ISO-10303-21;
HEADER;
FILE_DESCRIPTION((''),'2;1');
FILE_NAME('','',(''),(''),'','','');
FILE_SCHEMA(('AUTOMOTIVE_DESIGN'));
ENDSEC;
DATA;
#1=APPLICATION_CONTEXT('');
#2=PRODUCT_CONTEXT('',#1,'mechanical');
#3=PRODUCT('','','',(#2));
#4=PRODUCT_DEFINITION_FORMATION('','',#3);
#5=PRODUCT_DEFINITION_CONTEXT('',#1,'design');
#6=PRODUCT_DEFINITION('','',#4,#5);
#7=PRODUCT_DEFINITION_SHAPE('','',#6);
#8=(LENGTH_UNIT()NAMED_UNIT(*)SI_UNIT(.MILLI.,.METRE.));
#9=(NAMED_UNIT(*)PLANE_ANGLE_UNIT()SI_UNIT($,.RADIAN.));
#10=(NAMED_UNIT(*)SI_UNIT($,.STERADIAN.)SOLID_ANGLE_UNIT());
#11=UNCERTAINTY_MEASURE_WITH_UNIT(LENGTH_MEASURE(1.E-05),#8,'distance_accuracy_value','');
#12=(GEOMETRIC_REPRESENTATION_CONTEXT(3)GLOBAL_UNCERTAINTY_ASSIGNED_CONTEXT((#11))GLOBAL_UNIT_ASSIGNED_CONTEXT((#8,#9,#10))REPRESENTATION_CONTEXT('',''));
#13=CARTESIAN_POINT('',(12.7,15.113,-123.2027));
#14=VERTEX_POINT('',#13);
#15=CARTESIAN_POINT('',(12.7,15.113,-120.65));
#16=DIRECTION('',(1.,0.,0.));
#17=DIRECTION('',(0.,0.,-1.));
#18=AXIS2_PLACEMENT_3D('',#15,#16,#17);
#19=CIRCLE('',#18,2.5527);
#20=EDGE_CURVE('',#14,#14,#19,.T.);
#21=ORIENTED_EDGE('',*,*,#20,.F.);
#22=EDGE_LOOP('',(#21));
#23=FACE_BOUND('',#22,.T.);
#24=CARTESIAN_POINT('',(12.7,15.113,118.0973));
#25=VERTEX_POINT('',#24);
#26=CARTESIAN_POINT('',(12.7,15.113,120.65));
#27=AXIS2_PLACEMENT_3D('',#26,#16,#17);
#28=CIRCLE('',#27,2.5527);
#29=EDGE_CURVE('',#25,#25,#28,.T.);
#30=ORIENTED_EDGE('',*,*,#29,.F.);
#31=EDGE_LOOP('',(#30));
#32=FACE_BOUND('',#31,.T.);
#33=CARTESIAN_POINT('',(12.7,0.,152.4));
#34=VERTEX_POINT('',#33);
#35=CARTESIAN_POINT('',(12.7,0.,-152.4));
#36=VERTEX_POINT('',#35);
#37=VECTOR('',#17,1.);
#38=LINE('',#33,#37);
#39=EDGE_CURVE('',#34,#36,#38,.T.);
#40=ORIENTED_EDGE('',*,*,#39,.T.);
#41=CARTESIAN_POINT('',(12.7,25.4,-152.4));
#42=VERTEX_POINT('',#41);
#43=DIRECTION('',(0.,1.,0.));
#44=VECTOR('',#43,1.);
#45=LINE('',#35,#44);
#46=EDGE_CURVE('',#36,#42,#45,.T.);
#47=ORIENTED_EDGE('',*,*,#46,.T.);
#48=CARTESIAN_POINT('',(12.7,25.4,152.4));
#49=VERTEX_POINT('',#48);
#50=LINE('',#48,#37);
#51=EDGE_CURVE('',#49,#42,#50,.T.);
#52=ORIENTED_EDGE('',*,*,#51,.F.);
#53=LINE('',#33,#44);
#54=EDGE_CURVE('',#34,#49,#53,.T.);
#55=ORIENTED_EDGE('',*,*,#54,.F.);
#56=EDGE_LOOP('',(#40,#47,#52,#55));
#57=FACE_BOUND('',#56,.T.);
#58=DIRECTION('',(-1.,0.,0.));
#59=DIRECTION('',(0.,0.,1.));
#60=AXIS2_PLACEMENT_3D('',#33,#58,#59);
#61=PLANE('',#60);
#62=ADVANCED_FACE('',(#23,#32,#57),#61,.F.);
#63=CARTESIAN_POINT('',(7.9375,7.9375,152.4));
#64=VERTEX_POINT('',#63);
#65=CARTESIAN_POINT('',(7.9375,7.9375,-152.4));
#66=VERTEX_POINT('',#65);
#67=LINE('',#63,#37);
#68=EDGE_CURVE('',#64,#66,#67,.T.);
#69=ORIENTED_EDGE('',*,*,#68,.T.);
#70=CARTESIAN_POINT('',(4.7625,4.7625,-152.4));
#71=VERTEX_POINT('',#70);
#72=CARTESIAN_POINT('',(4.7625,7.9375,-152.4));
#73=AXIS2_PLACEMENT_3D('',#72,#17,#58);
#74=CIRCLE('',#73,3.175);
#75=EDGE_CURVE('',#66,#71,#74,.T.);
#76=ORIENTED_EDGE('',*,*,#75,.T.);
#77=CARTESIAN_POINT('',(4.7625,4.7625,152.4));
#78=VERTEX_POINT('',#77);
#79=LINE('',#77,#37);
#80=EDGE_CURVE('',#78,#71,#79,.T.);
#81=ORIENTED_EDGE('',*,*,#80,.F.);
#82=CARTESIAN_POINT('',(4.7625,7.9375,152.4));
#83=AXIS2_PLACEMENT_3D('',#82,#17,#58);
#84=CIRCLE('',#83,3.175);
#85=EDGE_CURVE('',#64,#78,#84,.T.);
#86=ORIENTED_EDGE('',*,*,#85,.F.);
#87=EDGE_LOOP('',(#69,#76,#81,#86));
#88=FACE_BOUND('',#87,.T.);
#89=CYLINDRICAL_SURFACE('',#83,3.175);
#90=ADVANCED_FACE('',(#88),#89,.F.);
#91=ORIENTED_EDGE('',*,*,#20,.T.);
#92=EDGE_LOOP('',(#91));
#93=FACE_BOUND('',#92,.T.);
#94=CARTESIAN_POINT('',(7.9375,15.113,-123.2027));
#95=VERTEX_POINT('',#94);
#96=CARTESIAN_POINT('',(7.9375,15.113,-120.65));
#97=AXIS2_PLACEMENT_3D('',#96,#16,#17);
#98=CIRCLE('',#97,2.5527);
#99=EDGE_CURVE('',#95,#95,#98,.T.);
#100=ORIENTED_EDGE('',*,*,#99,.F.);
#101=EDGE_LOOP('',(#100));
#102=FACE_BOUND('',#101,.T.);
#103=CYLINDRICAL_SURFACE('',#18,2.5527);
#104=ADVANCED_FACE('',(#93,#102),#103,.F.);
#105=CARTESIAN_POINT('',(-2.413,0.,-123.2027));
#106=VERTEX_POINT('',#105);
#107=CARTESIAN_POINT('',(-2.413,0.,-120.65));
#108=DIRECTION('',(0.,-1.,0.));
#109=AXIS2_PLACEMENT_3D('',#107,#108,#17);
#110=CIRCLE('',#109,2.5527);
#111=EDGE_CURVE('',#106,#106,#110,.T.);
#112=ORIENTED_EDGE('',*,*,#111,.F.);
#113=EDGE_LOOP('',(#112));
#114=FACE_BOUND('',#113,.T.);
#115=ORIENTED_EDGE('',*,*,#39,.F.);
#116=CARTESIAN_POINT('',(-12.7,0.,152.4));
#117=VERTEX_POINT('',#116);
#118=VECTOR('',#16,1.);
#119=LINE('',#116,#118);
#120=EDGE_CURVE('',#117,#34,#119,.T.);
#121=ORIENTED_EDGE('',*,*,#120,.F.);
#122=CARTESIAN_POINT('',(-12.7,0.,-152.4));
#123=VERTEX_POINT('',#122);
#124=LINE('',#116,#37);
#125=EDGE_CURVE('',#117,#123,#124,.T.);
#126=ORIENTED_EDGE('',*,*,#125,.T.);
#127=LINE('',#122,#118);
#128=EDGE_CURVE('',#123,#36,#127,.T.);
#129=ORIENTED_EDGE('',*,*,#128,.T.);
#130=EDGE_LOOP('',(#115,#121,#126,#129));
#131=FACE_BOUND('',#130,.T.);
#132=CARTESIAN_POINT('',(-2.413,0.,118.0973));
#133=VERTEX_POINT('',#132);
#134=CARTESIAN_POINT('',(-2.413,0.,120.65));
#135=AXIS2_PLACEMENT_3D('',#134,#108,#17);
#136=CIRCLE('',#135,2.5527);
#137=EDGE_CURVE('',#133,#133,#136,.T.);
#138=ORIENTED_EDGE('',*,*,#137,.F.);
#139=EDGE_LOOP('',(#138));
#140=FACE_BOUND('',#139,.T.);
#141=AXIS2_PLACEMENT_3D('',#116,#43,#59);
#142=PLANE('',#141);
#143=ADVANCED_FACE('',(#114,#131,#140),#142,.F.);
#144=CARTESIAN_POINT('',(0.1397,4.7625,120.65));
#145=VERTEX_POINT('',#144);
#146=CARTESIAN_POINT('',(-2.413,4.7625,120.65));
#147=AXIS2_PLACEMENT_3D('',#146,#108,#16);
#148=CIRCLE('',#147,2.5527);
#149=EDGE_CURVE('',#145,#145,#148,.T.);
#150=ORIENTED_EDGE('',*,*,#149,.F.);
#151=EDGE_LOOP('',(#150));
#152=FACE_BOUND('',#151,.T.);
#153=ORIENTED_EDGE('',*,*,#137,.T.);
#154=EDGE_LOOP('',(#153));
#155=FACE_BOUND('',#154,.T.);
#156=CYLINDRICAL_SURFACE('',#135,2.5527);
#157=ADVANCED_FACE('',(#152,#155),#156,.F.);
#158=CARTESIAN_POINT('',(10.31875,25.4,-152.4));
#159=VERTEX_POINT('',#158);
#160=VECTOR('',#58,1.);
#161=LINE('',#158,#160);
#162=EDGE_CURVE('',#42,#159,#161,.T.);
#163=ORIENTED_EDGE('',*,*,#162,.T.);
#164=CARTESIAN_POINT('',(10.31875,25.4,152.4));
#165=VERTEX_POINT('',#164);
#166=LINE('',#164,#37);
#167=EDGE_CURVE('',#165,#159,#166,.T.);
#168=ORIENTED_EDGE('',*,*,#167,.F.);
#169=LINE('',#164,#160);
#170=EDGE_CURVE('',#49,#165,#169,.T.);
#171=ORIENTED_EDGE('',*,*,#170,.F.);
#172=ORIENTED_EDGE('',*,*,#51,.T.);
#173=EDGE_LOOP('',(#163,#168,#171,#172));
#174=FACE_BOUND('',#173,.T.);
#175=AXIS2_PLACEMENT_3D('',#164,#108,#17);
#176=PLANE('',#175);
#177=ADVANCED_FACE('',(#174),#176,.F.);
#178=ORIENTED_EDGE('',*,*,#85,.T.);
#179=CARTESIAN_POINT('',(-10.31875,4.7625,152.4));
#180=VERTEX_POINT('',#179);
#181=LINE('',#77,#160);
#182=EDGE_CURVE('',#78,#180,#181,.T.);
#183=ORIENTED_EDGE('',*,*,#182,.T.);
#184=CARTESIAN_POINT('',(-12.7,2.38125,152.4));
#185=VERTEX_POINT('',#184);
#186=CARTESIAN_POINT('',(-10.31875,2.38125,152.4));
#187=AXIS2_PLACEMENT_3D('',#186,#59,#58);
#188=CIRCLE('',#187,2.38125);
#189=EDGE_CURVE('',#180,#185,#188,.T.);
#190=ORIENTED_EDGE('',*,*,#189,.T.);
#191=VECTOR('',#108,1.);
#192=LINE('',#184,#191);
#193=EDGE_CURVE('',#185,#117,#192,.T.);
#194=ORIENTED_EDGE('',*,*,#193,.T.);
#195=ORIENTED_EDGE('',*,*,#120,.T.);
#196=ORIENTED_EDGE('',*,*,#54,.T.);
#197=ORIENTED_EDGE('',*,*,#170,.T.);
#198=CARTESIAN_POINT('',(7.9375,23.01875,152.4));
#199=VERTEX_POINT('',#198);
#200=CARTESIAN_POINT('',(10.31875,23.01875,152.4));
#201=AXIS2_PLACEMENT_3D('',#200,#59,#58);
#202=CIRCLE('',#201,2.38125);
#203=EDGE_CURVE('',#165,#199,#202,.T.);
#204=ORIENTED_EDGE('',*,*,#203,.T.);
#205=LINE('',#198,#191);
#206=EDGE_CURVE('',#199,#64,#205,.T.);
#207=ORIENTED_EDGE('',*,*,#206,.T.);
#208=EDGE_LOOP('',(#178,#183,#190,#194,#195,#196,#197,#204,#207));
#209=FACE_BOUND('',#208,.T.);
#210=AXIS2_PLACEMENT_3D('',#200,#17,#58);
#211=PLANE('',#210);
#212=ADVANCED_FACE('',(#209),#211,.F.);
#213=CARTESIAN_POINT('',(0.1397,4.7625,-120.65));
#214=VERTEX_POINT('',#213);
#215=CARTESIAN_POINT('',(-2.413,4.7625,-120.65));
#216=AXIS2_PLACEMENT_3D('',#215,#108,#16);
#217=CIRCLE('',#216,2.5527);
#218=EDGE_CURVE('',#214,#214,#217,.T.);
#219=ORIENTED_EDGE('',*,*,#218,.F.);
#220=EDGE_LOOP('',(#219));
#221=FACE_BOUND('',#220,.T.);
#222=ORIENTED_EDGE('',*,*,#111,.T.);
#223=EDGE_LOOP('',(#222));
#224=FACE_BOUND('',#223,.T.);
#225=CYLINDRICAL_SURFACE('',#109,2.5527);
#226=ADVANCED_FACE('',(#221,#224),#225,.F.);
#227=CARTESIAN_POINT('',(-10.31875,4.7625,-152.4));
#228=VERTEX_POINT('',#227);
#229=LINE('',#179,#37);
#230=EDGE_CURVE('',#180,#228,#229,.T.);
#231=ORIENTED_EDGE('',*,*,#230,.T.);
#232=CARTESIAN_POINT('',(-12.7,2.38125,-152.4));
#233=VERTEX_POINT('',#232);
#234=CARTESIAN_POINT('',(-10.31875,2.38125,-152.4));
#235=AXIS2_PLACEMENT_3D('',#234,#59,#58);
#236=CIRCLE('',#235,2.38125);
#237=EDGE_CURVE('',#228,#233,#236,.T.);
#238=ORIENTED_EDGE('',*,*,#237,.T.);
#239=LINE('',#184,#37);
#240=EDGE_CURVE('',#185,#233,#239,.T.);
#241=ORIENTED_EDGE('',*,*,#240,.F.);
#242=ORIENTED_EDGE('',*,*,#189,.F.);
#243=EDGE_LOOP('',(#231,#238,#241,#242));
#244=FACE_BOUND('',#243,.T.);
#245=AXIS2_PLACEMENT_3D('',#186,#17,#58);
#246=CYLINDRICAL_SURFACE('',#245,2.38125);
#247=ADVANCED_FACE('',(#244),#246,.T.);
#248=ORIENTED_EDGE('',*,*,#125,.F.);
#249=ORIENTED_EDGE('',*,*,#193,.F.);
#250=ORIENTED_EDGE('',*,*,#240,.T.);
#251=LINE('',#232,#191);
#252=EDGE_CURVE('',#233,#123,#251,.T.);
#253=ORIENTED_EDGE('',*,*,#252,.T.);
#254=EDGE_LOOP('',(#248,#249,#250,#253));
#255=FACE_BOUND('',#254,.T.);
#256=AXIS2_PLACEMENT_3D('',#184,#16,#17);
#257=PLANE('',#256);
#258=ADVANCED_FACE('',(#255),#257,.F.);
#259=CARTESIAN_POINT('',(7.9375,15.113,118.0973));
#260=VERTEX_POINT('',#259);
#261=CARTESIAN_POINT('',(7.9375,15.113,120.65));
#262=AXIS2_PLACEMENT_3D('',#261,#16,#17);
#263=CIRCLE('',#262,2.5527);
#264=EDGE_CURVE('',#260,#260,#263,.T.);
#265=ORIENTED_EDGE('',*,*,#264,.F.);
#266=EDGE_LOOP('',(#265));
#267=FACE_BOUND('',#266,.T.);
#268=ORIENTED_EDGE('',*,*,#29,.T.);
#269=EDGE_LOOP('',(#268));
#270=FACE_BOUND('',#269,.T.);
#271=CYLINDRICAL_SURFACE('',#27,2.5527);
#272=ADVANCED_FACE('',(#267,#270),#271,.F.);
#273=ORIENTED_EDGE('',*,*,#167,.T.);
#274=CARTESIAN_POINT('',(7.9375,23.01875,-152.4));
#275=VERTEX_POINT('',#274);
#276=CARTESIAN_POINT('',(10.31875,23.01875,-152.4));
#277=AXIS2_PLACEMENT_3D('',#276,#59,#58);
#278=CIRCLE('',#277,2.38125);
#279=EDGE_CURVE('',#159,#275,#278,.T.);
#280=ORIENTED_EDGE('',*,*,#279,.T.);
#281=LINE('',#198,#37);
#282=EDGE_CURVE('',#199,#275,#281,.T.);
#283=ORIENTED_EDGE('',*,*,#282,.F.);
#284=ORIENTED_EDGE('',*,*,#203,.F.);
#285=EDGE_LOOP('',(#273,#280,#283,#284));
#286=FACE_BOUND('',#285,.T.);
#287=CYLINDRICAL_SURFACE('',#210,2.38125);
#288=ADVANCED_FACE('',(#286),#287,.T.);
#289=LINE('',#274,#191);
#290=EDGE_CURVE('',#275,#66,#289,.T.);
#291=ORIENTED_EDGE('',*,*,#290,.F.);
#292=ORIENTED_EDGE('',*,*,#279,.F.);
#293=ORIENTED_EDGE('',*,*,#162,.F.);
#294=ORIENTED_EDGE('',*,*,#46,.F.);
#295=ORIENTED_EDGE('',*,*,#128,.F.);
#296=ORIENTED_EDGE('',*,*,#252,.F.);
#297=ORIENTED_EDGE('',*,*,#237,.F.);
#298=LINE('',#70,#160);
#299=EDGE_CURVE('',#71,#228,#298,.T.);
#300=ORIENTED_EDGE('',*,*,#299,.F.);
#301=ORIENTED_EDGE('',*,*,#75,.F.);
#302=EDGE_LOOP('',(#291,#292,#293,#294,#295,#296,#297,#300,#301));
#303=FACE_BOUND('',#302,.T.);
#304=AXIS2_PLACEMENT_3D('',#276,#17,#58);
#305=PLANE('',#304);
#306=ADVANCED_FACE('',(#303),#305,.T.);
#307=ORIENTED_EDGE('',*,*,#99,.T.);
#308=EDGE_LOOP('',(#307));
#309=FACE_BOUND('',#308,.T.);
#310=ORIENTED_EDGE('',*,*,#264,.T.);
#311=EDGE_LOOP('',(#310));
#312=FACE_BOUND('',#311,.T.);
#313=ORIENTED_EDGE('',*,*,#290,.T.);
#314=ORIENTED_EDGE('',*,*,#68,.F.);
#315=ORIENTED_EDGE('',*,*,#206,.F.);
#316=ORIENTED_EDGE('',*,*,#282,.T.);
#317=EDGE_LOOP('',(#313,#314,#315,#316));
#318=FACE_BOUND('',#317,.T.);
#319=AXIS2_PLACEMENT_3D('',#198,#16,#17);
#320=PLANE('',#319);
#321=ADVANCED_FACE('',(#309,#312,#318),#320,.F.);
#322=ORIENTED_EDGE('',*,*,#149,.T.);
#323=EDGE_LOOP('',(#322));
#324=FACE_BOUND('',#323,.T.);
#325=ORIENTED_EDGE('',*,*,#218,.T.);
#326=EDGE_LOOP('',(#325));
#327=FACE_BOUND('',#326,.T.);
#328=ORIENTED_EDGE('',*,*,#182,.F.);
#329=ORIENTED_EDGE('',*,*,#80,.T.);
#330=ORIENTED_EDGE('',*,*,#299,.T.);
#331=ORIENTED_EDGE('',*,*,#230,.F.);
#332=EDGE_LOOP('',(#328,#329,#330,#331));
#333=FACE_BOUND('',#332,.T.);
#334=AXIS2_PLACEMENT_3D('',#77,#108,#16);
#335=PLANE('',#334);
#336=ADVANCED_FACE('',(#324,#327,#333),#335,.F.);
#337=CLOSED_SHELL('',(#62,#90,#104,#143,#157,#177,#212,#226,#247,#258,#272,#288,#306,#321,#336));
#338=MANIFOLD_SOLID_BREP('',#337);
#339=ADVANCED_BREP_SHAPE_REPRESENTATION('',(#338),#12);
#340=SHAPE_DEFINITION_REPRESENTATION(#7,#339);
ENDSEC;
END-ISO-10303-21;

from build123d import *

# Parameters (mm, degrees)
BOSS_EXTRUDE1_DEPTH    = 152.4
F_10_CLEARANCE_HOLE2_D = 5.1054
F_10_CLEARANCE_HOLE3_D = 5.1054


with BuildPart() as part:
    # Sketch2 → Boss-Extrude1 (new, symmetric)
    with BuildSketch(Plane.XY):
        with BuildLine():
            Line((-12.7, 0), (12.7, 0))
            Line((12.7, 0), (12.7, 25.4))
            Line((12.7, 25.4), (10.31875, 25.4))
            ThreePointArc((10.31875, 25.4), (8.634951977, 24.702548023), (7.9375, 23.01875))
            Line((7.9375, 23.01875), (7.9375, 7.9375))
            ThreePointArc((7.9375, 7.9375), (7.00756403, 5.69243597), (4.7625, 4.7625))
            Line((4.7625, 4.7625), (-10.31875, 4.7625))
            ThreePointArc((-10.31875, 4.7625), (-12.002548023, 4.065048023), (-12.7, 2.38125))
            Line((-12.7, 2.38125), (-12.7, 0))
        make_face()
    extrude(amount=BOSS_EXTRUDE1_DEPTH, both=True)

    # #10 Clearance Hole2 (through all)
    with Locations(Plane(origin=(12.7, 0, 0), x_dir=(0, 0, -1), z_dir=(1, 0, 0))):
        with Locations((-120.65, 15.113), (120.65, 15.113)):
            Hole(F_10_CLEARANCE_HOLE2_D / 2)

    # #10 Clearance Hole3 (through all)
    with Locations(Plane(origin=(0, 0, 0), x_dir=(-1, 0, 0), z_dir=(0, -1, 0))):
        with Locations((2.413, -120.65), (2.413, 120.65)):
            Hole(F_10_CLEARANCE_HOLE3_D / 2)


solid = part.part
